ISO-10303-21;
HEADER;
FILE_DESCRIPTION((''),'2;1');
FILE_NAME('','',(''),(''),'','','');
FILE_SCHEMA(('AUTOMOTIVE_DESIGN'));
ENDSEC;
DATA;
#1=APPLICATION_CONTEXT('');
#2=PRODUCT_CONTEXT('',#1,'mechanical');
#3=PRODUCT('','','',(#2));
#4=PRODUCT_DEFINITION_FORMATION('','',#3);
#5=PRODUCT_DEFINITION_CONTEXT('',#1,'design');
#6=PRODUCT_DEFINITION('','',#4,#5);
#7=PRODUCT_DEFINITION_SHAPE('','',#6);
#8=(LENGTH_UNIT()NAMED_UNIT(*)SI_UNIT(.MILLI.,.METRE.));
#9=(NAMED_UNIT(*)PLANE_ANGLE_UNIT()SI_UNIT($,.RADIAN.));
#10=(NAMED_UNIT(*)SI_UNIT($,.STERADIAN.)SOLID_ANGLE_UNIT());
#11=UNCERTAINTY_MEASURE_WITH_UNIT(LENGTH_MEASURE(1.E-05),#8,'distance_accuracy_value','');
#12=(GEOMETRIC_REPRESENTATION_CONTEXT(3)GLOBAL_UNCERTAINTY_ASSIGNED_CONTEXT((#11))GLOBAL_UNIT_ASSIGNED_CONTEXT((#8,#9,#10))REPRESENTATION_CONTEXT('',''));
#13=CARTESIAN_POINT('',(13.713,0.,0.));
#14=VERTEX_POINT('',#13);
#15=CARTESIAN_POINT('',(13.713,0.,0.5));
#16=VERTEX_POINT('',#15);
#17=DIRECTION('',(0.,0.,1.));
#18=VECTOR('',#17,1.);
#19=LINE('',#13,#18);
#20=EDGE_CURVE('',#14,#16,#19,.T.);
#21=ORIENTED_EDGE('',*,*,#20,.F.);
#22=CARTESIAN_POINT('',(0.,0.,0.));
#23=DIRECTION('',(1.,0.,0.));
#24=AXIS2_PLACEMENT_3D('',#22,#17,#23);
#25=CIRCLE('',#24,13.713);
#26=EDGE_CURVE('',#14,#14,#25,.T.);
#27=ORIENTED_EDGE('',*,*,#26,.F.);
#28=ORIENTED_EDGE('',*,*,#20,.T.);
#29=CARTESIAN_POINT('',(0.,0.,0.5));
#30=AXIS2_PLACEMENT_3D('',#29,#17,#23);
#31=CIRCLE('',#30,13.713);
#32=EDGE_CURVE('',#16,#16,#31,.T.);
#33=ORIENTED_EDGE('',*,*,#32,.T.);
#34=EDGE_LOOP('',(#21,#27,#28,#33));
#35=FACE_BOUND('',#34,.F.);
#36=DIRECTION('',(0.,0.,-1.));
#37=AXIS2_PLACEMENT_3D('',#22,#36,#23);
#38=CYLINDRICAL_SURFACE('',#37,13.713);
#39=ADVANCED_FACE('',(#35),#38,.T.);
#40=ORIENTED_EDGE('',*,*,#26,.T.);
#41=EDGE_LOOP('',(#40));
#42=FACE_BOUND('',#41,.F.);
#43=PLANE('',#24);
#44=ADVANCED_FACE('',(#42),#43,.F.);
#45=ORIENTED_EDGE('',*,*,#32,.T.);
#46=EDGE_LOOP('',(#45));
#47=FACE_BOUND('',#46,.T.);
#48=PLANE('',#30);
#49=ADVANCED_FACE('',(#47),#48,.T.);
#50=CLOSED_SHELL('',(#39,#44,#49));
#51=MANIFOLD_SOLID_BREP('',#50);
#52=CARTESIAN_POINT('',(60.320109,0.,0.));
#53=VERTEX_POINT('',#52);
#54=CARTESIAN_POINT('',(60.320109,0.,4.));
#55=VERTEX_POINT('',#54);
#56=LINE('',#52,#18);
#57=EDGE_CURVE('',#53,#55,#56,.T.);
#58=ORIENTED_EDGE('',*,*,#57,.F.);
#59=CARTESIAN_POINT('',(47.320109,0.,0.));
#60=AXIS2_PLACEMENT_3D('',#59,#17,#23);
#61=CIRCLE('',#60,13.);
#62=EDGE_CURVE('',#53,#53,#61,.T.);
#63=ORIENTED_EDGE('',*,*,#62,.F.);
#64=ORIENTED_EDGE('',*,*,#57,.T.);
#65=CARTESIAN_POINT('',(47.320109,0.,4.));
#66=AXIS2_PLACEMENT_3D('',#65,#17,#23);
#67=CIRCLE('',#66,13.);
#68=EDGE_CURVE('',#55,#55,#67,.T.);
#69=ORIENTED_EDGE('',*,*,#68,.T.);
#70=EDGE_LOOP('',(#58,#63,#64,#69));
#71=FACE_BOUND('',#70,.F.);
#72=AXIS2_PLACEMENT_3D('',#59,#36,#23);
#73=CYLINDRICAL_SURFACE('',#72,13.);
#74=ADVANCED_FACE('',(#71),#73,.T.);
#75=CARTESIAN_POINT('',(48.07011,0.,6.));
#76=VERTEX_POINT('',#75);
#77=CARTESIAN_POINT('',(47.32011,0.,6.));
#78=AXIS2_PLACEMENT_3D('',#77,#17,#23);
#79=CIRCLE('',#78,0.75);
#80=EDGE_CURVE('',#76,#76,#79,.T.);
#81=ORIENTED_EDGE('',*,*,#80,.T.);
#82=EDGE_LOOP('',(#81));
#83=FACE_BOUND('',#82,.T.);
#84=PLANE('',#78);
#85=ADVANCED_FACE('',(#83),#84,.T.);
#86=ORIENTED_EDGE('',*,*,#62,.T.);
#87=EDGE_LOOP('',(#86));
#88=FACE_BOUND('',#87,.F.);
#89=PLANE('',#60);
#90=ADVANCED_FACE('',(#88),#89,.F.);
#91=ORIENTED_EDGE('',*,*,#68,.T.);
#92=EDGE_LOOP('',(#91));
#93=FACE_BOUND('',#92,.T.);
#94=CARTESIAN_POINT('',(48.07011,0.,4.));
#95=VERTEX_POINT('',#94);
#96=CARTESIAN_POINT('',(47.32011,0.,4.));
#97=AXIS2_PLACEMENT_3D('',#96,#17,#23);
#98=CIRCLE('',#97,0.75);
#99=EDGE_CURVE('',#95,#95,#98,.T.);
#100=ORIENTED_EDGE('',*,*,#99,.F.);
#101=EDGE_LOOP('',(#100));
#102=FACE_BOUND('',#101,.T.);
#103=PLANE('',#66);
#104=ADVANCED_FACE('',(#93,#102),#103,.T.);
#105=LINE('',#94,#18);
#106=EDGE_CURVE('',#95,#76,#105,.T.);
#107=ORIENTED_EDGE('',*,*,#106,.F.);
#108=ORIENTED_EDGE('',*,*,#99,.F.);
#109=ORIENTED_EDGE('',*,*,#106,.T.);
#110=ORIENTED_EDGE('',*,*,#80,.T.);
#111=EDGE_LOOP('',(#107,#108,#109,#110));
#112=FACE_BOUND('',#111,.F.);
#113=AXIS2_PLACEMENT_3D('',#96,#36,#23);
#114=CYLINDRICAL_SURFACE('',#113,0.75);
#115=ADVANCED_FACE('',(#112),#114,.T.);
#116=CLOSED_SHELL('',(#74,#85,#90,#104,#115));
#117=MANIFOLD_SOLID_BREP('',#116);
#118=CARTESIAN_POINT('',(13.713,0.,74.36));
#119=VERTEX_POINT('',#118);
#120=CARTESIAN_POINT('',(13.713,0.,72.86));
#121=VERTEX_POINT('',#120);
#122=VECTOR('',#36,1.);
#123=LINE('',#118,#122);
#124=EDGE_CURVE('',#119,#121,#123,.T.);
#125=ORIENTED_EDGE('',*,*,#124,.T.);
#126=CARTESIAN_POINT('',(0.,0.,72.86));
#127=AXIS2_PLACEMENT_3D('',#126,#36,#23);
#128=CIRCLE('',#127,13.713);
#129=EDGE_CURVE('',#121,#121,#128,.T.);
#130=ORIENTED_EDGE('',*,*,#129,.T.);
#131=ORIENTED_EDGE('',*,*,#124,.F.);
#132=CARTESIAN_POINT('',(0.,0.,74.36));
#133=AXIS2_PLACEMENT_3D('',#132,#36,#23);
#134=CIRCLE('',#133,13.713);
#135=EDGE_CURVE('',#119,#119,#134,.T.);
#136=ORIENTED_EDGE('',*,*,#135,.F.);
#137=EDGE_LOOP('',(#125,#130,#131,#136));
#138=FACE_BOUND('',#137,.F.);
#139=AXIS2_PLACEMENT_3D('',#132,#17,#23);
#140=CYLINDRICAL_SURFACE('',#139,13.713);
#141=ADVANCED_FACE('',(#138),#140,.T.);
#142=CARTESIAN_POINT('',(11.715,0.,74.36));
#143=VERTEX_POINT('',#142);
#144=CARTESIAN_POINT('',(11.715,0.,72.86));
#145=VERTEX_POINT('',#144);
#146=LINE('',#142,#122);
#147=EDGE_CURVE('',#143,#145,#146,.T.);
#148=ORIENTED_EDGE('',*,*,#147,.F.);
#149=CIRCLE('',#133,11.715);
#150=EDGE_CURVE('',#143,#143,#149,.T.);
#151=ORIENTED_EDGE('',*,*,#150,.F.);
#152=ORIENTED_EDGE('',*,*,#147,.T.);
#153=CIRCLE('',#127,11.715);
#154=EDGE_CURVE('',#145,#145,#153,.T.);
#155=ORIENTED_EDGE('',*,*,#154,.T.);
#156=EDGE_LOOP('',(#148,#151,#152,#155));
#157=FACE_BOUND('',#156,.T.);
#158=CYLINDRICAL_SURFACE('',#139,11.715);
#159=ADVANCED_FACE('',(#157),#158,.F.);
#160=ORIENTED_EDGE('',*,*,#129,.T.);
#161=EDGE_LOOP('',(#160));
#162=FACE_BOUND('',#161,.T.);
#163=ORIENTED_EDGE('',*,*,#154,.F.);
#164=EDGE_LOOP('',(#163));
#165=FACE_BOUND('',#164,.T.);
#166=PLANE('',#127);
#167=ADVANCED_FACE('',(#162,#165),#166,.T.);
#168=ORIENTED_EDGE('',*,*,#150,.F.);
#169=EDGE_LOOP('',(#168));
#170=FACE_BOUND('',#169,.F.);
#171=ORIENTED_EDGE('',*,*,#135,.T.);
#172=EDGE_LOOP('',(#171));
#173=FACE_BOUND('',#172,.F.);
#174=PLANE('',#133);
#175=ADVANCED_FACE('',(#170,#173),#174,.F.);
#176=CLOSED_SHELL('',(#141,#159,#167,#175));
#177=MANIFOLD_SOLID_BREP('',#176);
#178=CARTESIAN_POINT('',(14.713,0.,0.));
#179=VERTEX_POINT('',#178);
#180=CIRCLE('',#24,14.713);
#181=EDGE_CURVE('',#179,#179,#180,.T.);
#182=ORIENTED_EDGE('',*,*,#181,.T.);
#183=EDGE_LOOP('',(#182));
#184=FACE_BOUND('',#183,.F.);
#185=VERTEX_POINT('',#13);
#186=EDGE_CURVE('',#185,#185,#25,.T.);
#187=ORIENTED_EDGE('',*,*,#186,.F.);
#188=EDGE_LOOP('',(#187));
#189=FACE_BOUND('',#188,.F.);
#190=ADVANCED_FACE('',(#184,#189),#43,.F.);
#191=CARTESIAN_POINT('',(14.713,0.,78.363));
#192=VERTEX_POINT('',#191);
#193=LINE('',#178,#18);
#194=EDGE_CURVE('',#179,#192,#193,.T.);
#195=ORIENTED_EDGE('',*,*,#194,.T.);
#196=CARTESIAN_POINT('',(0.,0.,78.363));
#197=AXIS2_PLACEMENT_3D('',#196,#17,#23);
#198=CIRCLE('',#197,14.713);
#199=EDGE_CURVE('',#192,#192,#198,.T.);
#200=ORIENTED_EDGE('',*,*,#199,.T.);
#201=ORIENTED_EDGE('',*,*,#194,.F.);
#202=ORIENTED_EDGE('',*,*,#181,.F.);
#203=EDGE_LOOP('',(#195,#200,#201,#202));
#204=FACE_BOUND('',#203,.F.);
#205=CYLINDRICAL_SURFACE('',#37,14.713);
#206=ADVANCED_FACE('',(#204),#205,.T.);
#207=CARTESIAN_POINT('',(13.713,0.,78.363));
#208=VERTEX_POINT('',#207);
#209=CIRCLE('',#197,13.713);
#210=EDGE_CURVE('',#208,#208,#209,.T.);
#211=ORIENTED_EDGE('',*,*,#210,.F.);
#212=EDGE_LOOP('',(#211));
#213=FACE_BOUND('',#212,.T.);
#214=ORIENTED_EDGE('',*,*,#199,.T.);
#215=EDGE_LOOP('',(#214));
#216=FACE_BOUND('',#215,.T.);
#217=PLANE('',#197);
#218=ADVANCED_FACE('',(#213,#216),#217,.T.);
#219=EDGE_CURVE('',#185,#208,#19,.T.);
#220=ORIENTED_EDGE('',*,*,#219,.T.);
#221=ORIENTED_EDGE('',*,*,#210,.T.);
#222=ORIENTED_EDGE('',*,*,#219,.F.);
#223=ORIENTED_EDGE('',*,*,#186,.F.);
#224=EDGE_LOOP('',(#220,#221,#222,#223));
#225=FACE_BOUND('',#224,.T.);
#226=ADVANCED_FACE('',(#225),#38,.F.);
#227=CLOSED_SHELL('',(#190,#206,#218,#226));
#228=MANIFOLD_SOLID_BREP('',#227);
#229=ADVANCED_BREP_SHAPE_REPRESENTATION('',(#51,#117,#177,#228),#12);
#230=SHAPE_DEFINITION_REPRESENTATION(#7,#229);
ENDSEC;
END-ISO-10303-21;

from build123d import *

# Parameters (mm, degrees)
F0_R      = 13.713
F1_DEPTH  = 0.5
F0_R_2    = 14.713
F2_DEPTH  = 78.363
F6_R      = 13.713
F6_R_2    = 11.715
F7_DEPTH  = 1.5
F0_R_3    = 13
F8_DEPTH  = 4
F12_R     = 0.75
F13_DEPTH = 2


with BuildPart() as f1:
    # F0 (on Top) → F1 (new body)
    with BuildSketch(Plane.XY):
        Circle(F0_R)
    extrude(amount=F1_DEPTH)


with BuildPart() as f2:
    # F0 (on Top) → F2 (new body)
    with BuildSketch(Plane.XY):
        Circle(F0_R_2)
        Circle(F0_R, mode=Mode.SUBTRACT)
    extrude(amount=F2_DEPTH)


with BuildPart() as f7:
    # F6 (on 3pt) → F7 (new body)
    with BuildSketch(Plane(origin=(0, 0, 74.36), x_dir=(1, 0, 0), z_dir=(0, 0, -1))):
        Circle(F6_R)
        Circle(F6_R_2, mode=Mode.SUBTRACT)
    extrude(amount=F7_DEPTH)


with BuildPart() as f8:
    # F0 (on Top) → F8 (new body)
    with BuildSketch(Plane.XY):
        with Locations((47.3201088607, 0)):
            Circle(F0_R_3)
    extrude(amount=F8_DEPTH)

    # F12 (on 3pt) → F13 (join)
    with BuildSketch(Plane.XY.offset(4)):
        with Locations((47.32011, 0)):
            Circle(F12_R)
    extrude(amount=F13_DEPTH)


solid = Compound([f1.part, f2.part, f7.part, f8.part])
